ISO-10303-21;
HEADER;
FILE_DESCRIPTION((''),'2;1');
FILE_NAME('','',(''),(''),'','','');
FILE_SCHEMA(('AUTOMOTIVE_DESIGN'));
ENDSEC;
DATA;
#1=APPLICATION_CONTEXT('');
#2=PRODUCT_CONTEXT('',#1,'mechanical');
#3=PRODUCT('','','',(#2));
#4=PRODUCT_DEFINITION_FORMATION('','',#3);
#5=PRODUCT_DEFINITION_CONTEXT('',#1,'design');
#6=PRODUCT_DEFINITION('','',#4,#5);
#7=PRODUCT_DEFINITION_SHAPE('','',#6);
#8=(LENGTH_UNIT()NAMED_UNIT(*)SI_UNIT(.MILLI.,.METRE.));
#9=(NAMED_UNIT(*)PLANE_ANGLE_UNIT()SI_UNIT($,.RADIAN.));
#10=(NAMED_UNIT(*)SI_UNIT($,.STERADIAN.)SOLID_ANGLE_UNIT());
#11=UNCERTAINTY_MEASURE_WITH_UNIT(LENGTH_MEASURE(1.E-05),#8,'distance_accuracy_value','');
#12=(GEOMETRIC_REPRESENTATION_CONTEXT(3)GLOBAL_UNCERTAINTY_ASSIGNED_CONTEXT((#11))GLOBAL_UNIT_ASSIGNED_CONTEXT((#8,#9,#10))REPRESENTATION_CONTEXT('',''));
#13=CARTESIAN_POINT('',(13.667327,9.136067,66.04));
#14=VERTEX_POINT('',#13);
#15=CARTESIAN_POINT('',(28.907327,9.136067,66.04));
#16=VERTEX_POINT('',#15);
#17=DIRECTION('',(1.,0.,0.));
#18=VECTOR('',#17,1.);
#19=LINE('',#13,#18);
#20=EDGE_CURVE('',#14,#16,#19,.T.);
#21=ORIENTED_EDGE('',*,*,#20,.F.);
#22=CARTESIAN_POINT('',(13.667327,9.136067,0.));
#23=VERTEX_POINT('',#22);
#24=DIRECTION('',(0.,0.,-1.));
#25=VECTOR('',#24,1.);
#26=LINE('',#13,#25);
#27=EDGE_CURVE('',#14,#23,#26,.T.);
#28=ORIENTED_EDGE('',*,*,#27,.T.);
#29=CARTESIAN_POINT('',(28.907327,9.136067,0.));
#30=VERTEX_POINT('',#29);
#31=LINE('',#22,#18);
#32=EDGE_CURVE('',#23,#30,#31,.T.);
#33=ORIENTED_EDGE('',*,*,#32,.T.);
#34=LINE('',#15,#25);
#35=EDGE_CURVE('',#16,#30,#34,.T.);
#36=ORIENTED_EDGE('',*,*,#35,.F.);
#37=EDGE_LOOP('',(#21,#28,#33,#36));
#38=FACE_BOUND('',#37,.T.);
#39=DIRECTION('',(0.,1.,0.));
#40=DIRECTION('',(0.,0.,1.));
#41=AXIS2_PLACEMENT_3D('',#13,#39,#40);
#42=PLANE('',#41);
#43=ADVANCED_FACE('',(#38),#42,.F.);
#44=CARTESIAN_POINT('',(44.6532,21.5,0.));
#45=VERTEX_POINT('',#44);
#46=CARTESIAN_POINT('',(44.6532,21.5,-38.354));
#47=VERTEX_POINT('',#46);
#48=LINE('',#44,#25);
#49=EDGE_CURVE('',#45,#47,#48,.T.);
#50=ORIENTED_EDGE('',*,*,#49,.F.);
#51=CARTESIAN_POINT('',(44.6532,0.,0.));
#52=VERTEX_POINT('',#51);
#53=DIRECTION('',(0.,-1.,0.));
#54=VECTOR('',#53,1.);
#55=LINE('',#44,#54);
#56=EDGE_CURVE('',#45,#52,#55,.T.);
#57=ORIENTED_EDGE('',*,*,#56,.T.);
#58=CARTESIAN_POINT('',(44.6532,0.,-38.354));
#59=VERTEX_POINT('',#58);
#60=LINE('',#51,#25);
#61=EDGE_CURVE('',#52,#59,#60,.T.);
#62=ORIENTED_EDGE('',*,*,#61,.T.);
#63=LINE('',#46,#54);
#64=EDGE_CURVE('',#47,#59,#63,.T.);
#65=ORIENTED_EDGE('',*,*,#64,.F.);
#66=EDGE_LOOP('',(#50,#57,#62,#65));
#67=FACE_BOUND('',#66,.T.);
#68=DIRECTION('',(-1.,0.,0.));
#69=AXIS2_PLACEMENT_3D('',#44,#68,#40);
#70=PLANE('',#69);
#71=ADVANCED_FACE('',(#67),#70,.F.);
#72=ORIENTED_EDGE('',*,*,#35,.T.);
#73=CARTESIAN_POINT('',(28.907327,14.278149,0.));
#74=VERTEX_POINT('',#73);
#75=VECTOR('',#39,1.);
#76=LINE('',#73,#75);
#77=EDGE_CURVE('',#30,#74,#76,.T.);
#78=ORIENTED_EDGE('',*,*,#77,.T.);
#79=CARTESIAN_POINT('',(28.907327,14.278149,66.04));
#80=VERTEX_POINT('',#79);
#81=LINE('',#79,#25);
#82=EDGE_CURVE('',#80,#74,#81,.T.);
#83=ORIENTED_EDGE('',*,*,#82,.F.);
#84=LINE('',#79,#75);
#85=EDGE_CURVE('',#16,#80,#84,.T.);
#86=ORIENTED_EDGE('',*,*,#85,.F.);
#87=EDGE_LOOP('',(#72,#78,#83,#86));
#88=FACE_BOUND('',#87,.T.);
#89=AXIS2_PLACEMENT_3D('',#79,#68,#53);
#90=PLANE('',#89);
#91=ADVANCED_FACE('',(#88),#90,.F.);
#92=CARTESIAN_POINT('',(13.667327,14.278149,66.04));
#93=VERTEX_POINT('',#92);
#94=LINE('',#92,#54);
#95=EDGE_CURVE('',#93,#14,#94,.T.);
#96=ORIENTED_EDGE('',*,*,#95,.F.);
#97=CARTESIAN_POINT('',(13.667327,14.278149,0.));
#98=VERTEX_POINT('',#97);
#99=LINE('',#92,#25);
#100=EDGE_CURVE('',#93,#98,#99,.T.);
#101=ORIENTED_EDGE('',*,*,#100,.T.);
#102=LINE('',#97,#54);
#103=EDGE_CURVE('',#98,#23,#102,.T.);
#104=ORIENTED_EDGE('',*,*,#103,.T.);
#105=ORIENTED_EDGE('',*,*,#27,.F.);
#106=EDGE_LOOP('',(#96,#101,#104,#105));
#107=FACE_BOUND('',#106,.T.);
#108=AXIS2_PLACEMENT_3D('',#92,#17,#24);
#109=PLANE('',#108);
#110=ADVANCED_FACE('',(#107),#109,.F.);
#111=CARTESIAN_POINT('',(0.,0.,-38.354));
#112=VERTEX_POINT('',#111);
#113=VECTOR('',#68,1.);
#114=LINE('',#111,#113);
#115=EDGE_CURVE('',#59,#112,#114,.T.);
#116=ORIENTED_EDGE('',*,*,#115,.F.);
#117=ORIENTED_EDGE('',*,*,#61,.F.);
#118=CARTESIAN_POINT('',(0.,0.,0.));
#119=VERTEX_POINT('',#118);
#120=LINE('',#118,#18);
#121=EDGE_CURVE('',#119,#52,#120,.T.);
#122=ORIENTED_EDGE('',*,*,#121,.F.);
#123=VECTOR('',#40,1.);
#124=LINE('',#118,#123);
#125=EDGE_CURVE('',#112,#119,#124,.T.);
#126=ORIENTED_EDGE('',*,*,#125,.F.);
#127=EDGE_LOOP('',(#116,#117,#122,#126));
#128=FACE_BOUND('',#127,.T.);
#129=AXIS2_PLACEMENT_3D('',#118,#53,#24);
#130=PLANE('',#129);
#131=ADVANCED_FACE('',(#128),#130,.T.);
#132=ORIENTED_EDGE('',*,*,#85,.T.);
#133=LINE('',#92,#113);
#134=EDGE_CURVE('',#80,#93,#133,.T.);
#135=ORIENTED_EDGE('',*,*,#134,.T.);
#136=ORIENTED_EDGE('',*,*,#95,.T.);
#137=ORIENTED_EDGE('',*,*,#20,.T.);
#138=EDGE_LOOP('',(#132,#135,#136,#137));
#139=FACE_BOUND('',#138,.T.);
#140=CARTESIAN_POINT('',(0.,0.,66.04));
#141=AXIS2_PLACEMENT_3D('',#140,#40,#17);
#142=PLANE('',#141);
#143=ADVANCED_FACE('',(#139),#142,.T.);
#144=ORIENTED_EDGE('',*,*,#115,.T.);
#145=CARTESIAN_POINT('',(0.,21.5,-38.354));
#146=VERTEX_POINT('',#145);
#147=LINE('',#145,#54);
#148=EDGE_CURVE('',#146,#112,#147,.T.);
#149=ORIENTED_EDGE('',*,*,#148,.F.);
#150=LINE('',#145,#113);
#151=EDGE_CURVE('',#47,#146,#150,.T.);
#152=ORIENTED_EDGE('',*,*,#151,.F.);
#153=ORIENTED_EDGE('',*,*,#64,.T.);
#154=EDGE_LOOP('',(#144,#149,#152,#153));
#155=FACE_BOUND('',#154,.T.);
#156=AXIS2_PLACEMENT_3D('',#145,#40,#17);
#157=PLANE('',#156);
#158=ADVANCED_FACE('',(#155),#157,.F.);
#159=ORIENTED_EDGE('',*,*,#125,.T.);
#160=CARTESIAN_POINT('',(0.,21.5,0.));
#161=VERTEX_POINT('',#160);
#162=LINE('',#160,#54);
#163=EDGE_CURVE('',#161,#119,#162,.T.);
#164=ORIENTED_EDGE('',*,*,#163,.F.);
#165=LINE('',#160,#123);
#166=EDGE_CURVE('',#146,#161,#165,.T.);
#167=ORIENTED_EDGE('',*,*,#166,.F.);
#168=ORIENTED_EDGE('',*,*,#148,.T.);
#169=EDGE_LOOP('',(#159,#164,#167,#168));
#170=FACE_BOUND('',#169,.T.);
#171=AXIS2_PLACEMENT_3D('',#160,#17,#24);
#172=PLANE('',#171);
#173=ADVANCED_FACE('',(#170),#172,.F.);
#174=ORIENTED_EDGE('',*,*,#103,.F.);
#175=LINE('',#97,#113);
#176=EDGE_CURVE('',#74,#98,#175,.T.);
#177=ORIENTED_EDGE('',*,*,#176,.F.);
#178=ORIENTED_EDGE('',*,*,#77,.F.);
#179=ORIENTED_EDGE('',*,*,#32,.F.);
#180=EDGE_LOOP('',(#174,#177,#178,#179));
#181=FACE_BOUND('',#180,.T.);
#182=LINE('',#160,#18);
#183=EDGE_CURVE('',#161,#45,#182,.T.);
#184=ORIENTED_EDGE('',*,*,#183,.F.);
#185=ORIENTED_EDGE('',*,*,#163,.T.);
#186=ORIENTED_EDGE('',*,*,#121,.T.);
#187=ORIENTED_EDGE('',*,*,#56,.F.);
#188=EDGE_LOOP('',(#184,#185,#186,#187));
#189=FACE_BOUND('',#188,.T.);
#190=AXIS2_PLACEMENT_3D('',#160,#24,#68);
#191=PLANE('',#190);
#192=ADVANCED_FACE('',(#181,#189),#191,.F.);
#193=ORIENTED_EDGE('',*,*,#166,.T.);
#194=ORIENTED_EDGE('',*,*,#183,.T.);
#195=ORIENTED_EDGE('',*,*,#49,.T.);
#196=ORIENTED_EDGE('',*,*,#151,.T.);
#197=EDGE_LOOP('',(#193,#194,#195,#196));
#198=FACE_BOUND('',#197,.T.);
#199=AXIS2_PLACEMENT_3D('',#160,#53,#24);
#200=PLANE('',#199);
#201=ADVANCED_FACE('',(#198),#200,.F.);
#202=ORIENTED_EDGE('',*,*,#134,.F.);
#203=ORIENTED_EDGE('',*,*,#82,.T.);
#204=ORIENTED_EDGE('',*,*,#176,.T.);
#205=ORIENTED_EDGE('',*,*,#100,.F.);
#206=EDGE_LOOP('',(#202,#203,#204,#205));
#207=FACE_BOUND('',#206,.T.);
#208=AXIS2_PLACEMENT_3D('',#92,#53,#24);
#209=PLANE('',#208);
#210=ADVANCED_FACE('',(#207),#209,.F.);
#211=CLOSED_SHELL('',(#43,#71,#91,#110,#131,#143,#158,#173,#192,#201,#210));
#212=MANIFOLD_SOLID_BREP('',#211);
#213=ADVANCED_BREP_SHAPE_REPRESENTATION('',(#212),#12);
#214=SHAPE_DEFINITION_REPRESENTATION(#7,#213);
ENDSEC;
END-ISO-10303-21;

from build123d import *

# Parameters (mm, degrees)
SKETCH1_W           = 44.6532
SKETCH1_H           = 38.354
BOSS_EXTRUDE1_DEPTH = 21.5
SKETCH2_W           = 15.24
SKETCH2_H           = 5.142082165
BOSS_EXTRUDE2_DEPTH = 66.04


with BuildPart() as part:
    # Sketch1 → Boss-Extrude1 (new body)
    with BuildSketch(Plane(origin=(0, 0, 0), x_dir=(1, 0, 0), z_dir=(0, 1, 0))):
        with Locations((22.3266, 19.177)):
            Rectangle(SKETCH1_W, SKETCH1_H)
    extrude(amount=BOSS_EXTRUDE1_DEPTH)

    # Sketch2 → Boss-Extrude2 (add)
    with BuildSketch(Plane.XY):
        with Locations((21.287326566, 11.707107753)):
            Rectangle(SKETCH2_W, SKETCH2_H)
    extrude(amount=BOSS_EXTRUDE2_DEPTH)


solid = part.part
